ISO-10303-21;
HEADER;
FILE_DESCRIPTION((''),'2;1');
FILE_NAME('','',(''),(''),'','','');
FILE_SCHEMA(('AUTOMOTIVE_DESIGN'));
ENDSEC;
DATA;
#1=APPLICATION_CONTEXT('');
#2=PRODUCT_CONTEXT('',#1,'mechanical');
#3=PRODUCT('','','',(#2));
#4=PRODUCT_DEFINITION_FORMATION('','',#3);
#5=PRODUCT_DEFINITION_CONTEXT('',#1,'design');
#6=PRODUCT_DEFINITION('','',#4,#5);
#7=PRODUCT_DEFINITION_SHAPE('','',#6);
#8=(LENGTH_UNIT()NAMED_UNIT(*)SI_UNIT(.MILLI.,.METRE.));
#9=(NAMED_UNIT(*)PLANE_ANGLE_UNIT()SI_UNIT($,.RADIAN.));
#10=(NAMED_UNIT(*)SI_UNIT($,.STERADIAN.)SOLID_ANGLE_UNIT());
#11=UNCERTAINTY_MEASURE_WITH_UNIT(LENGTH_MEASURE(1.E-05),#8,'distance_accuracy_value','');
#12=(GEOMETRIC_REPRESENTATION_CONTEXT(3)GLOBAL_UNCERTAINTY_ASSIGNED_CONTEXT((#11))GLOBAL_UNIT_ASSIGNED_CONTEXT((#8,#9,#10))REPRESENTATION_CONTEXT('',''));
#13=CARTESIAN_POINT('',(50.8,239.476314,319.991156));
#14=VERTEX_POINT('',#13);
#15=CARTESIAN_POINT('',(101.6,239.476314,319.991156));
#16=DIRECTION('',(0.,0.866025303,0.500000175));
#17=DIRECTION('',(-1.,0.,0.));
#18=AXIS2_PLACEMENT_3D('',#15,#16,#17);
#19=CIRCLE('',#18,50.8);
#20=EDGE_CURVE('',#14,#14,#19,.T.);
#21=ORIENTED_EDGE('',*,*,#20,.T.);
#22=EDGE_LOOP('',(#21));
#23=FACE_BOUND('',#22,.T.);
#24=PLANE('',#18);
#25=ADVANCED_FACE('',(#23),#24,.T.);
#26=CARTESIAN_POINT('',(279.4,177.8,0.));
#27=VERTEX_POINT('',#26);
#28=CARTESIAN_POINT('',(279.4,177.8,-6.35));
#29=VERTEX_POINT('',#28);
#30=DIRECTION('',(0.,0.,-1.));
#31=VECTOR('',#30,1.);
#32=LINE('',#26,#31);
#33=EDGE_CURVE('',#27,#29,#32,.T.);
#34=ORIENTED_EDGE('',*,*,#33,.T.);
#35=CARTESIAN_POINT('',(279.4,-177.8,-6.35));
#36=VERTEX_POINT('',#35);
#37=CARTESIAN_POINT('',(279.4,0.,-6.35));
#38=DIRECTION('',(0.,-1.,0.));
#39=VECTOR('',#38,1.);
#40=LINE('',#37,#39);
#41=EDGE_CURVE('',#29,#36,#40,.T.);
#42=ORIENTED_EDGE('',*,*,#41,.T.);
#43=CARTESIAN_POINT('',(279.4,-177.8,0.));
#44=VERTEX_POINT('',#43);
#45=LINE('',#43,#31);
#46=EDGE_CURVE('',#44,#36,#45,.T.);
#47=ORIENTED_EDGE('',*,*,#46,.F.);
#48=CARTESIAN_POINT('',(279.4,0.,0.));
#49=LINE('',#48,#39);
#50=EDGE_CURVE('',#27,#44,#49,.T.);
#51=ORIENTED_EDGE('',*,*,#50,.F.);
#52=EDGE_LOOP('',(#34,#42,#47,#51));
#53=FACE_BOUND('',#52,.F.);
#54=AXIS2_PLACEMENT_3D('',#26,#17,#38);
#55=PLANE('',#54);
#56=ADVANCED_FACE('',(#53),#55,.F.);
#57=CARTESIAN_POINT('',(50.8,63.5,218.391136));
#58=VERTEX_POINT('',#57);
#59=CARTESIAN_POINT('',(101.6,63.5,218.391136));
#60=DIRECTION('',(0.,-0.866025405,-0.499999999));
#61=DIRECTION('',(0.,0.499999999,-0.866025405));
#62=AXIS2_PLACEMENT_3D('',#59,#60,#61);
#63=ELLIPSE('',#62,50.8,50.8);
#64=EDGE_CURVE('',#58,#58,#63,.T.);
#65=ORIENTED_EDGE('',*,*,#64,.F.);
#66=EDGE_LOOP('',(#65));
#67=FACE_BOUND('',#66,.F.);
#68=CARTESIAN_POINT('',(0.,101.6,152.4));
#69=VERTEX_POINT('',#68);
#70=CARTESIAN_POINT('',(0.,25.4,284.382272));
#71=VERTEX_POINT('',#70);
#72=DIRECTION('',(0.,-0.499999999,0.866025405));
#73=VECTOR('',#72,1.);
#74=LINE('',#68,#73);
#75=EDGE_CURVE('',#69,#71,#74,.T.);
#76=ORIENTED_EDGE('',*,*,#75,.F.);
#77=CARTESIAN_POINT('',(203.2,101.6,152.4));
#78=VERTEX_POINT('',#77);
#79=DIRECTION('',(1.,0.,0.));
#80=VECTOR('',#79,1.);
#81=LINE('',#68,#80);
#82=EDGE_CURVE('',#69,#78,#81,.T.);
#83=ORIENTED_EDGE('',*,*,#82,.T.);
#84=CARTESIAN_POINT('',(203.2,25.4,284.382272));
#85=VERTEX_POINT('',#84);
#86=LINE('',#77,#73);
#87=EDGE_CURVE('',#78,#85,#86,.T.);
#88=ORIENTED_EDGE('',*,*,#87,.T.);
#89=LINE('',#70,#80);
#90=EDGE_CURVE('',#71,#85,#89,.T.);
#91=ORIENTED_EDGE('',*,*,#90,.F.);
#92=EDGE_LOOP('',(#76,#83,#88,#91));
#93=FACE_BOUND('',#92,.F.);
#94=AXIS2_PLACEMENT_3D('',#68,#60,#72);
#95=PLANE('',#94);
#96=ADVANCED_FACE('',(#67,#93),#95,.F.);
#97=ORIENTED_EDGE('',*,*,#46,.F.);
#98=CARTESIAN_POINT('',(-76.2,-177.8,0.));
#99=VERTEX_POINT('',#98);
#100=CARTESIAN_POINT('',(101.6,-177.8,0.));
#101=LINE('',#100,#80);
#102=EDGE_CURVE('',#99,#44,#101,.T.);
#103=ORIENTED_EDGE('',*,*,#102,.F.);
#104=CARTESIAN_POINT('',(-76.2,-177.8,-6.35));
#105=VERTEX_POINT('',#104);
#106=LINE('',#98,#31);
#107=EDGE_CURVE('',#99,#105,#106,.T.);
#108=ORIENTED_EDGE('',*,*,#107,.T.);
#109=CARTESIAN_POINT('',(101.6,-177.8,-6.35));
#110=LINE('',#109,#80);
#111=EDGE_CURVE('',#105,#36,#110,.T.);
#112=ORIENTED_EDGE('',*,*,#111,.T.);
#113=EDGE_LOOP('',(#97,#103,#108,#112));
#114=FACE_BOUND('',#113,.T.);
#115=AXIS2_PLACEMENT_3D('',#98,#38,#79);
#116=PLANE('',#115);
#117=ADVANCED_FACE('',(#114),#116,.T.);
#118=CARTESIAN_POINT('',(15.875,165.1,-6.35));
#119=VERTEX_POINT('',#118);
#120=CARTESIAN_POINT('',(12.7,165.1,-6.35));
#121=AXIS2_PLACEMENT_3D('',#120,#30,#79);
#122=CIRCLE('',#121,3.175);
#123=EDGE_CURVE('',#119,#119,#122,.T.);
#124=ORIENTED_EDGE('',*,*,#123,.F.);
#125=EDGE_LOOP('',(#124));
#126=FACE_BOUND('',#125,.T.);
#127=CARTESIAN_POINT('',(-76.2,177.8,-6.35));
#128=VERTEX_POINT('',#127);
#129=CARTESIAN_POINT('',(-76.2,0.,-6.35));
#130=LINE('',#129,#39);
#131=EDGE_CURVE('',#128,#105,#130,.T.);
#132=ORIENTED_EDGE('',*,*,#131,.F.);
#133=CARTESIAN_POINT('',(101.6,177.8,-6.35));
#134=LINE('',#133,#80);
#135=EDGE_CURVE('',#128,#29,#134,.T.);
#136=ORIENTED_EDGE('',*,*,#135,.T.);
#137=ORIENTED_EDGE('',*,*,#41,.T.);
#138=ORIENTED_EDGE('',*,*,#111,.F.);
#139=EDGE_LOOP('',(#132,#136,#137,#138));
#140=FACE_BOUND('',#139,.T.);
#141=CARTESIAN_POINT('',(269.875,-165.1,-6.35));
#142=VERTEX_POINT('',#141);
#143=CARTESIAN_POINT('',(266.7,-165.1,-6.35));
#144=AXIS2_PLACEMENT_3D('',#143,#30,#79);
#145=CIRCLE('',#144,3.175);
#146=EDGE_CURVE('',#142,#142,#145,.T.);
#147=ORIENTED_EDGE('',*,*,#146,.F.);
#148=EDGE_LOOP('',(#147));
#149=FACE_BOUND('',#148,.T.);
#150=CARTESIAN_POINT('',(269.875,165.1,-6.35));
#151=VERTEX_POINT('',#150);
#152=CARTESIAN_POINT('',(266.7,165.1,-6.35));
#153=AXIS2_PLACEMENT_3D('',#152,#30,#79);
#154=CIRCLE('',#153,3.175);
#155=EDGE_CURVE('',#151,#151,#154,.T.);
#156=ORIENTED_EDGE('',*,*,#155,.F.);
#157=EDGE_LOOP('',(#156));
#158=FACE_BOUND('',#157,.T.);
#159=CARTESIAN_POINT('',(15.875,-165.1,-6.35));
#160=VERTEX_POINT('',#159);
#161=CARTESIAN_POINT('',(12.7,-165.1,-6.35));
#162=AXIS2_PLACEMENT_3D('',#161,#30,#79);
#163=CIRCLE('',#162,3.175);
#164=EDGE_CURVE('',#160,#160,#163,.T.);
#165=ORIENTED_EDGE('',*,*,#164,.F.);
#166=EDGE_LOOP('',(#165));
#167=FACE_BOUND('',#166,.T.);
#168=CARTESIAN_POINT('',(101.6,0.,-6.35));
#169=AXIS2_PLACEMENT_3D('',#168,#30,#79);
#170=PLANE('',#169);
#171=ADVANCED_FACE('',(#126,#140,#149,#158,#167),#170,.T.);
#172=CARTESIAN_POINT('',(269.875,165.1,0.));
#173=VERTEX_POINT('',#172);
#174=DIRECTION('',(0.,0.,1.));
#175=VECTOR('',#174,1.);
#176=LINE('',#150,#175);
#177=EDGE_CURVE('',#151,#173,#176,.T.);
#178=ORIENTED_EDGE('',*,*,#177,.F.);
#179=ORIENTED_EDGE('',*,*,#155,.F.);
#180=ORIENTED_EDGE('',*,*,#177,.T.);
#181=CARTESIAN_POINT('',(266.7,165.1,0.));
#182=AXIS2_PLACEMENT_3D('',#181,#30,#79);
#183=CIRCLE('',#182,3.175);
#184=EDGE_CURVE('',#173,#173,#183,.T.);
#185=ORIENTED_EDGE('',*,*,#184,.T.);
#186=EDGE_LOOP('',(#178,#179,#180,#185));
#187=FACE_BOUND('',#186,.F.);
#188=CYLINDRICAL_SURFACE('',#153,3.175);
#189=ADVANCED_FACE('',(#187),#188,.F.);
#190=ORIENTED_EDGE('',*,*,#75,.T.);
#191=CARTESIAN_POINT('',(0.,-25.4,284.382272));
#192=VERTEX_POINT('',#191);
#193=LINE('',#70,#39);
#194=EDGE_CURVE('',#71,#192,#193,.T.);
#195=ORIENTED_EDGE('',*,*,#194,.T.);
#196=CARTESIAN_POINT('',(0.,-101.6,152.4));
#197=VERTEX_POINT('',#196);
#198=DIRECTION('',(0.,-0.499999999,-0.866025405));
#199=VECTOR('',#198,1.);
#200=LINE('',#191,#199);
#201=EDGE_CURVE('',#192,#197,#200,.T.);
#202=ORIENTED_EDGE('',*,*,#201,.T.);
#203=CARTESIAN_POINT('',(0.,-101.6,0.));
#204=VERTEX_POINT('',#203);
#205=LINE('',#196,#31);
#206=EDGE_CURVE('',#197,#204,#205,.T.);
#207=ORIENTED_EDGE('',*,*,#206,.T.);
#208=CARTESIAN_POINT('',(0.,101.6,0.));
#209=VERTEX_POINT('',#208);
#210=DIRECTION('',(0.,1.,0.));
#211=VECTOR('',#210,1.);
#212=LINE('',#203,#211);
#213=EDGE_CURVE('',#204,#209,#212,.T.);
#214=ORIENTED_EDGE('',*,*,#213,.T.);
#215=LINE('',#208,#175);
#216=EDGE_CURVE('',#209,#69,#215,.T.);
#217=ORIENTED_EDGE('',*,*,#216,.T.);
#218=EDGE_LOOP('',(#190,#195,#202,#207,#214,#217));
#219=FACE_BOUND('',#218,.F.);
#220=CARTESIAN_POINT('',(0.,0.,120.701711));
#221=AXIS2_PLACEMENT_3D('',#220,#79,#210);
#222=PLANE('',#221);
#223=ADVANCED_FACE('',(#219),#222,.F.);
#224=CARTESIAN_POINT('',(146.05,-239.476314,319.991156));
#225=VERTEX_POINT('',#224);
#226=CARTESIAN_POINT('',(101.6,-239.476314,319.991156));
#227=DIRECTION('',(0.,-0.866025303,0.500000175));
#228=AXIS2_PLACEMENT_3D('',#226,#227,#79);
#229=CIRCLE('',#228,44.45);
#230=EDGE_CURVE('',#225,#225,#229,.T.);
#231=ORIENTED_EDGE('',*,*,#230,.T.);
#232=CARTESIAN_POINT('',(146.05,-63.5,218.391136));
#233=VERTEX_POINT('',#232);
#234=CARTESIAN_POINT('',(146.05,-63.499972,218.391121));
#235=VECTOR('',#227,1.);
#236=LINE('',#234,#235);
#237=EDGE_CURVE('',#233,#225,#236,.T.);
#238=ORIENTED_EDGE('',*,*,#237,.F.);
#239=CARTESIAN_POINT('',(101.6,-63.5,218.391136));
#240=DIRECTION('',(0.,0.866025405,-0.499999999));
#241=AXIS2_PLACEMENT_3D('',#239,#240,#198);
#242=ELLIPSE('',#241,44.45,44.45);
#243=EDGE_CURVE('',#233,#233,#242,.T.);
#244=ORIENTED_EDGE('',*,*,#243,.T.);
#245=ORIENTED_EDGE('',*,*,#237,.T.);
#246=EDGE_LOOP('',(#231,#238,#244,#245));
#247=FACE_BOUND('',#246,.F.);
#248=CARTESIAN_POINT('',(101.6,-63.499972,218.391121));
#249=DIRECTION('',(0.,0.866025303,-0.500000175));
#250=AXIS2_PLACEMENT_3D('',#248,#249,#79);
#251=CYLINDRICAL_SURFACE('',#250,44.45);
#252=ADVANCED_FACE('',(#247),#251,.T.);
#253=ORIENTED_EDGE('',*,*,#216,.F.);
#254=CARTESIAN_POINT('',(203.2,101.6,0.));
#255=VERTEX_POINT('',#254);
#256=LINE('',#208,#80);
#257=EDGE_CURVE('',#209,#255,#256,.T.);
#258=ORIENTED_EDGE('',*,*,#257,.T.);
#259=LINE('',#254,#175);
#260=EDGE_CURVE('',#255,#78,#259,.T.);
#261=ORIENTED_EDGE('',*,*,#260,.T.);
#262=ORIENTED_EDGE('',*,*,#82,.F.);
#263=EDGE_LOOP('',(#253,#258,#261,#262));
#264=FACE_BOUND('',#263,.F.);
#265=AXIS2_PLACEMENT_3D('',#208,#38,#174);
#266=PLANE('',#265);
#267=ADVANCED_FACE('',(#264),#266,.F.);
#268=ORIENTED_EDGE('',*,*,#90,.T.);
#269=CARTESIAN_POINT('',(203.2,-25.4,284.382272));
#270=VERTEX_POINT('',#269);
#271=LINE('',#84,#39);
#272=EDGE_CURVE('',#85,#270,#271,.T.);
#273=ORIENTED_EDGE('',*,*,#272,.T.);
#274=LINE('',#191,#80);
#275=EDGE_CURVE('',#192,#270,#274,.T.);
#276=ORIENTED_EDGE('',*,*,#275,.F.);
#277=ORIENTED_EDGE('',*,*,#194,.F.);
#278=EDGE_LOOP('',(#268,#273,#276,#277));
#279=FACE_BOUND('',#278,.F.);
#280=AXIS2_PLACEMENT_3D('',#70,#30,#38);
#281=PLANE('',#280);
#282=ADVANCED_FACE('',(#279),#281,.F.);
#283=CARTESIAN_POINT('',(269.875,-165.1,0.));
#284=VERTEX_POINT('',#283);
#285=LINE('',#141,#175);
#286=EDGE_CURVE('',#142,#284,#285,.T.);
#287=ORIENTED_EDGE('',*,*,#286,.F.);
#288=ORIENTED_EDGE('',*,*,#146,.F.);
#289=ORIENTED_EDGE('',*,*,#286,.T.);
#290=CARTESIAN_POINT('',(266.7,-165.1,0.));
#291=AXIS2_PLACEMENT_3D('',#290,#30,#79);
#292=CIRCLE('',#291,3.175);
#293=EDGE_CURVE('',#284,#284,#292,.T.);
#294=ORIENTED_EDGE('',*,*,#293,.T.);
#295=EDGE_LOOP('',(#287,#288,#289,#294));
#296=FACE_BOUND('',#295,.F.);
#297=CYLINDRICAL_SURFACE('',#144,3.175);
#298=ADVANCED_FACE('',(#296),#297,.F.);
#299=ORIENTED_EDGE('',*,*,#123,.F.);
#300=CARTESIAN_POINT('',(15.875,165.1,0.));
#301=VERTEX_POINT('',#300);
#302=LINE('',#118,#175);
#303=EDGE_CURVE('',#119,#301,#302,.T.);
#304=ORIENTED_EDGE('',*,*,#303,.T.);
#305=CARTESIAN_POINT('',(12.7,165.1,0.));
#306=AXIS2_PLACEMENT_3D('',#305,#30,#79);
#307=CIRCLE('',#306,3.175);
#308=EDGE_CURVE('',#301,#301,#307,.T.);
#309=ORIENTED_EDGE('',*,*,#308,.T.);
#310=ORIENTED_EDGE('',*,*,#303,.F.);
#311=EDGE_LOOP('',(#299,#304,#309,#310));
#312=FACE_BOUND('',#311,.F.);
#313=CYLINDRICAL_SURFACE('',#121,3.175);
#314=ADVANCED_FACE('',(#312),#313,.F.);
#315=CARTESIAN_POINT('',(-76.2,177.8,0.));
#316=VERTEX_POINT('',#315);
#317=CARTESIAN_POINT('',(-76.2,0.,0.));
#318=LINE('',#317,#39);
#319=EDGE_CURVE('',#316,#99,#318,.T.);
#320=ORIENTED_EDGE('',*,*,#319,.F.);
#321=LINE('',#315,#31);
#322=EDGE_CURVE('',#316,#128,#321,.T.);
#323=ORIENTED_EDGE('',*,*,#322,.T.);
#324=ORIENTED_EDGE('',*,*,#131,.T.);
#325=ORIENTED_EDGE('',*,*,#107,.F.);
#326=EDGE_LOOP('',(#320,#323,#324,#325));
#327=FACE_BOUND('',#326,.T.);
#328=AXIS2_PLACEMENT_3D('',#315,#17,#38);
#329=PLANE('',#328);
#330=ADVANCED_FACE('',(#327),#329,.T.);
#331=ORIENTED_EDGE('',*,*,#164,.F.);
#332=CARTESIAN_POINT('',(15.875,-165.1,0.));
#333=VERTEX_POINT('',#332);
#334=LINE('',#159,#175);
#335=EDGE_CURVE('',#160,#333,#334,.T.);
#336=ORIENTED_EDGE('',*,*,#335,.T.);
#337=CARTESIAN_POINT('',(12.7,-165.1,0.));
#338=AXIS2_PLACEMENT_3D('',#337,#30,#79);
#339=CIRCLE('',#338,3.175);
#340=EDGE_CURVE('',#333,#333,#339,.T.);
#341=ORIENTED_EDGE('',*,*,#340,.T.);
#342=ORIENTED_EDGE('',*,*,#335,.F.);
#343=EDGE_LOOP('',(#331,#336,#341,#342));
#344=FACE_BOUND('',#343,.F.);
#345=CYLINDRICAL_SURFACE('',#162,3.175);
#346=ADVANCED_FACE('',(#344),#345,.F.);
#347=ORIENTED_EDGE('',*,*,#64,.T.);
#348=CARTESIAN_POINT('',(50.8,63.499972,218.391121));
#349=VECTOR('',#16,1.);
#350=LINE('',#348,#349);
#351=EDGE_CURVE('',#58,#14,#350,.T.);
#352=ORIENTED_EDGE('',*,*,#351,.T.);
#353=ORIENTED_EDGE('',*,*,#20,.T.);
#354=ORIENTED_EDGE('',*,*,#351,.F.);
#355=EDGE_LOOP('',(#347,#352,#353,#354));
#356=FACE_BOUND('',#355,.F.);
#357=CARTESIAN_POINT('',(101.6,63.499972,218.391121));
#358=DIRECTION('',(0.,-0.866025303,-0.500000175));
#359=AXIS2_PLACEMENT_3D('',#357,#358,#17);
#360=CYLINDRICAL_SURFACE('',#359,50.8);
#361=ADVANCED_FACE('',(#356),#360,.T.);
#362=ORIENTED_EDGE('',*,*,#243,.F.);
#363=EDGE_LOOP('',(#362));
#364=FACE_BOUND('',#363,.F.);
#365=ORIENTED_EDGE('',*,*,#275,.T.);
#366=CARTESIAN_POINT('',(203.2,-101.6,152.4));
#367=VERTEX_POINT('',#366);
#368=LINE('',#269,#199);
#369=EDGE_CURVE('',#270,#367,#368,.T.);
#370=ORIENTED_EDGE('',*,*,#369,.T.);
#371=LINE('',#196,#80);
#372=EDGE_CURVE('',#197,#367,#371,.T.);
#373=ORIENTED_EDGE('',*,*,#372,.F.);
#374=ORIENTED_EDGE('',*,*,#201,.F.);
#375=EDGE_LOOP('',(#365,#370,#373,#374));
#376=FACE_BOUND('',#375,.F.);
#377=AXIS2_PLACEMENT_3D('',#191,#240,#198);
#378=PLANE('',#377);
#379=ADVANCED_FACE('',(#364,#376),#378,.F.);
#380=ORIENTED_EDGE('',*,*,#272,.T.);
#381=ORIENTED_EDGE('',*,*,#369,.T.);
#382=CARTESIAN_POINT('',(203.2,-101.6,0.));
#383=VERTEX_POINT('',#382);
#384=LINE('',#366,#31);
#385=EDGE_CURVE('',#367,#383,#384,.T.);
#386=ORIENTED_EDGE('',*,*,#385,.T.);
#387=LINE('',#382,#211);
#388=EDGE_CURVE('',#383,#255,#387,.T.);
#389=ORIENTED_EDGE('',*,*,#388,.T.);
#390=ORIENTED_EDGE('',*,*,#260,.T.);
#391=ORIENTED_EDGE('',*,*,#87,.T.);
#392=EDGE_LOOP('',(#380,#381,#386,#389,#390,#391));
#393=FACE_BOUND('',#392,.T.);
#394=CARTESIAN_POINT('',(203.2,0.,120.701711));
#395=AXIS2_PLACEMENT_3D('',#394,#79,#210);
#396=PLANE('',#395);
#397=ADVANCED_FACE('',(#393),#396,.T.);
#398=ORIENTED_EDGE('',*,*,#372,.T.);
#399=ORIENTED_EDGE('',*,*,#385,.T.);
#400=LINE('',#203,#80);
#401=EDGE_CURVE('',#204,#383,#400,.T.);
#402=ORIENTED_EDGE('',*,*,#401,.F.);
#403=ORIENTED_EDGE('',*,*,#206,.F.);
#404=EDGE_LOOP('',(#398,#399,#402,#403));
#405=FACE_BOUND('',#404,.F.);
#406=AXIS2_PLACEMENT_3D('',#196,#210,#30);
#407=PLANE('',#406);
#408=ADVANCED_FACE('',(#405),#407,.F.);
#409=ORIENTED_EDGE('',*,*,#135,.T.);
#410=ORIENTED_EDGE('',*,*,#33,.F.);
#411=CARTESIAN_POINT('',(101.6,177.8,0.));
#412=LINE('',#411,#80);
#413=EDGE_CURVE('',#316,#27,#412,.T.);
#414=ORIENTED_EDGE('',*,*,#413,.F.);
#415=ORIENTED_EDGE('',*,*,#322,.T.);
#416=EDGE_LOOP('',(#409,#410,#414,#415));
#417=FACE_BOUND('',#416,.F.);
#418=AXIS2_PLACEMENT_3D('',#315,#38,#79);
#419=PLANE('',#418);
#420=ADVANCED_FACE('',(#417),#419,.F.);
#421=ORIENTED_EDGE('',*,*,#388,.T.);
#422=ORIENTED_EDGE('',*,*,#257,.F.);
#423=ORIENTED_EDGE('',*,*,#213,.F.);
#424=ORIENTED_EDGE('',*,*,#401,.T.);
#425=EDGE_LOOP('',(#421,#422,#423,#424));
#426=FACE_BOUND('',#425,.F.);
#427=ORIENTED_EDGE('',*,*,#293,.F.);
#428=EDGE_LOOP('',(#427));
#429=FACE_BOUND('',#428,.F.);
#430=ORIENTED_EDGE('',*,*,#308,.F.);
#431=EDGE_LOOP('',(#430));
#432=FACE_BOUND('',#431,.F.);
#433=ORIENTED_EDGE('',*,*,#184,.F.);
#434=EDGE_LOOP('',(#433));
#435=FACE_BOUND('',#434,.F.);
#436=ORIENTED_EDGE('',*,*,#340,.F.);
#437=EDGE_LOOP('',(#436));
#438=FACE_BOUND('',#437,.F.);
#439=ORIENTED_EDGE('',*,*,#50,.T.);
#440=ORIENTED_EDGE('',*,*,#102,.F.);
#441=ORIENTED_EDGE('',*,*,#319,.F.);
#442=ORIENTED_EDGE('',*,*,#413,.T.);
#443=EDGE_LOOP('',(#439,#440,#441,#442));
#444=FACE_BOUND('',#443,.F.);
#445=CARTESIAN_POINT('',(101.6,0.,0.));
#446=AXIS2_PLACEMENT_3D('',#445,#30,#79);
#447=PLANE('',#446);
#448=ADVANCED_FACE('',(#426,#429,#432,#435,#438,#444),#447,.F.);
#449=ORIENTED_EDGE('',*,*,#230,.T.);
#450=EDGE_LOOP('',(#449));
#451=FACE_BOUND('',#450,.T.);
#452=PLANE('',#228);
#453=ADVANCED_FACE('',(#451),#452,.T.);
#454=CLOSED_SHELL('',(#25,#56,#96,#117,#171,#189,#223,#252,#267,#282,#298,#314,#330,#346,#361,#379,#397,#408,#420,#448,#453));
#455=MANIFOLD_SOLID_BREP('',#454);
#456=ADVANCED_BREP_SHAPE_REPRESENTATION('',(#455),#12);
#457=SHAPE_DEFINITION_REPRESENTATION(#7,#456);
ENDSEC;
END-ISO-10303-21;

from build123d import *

# Parameters (mm, degrees)
F1_DEPTH = 203.2
F2_R     = 50.8
F3_DEPTH = 203.2
F4_R     = 44.45
F5_DEPTH = 203.2
F6_W     = 355.6
F6_H     = 355.6
F7_DEPTH = 6.35
F8_R     = 3.175
F9_DEPTH = 6.35


with BuildPart() as f1:
    # F0 (on Right) → F1 (new body)
    with BuildSketch(Plane.YZ):
        Polygon((-101.6, 152.4), (-101.6, 0), (101.6, 0), (101.6, 152.4), (25.4, 284.382272), (-25.4, 284.382272), align=None)
    extrude(amount=F1_DEPTH)

    # F2 (on face) → F3 (join)
    with BuildSketch(Plane(origin=(0, 142.191136, 82.094091), x_dir=(-1, 0, 0), z_dir=(0, 0.866025, 0.5))):
        with Locations((-101.6, 157.382272)):
            Circle(F2_R)
    extrude(amount=F3_DEPTH)

    # F4 (on face) → F5 (join)
    with BuildSketch(Plane(origin=(0, -142.191136, 82.094091), x_dir=(1, 0, 0), z_dir=(0, -0.866025, 0.5))):
        with Locations((101.6, 157.382272)):
            Circle(F4_R)
    extrude(amount=F5_DEPTH)

    # F6 (on face) → F7 (join)
    with BuildSketch(Plane(origin=(0, 0, 0), x_dir=(1, 0, 0), z_dir=(0, 0, -1))):
        with Locations((101.6, 0)):
            Rectangle(F6_W, F6_H)
    extrude(amount=F7_DEPTH)

    # F8 (on face) → F9 (cut, through all)
    with BuildSketch(Plane(origin=(0, 0, -6.35), x_dir=(1, 0, 0), z_dir=(0, 0, -1))):
        with Locations((266.7, 165.1)):
            Circle(F8_R)
        with Locations((266.7, -165.1)):
            Circle(F8_R)
        with Locations((12.7, -165.1)):
            Circle(F8_R)
        with Locations((12.7, 165.1)):
            Circle(F8_R)
    extrude(amount=-F9_DEPTH, mode=Mode.SUBTRACT)


solid = f1.part
